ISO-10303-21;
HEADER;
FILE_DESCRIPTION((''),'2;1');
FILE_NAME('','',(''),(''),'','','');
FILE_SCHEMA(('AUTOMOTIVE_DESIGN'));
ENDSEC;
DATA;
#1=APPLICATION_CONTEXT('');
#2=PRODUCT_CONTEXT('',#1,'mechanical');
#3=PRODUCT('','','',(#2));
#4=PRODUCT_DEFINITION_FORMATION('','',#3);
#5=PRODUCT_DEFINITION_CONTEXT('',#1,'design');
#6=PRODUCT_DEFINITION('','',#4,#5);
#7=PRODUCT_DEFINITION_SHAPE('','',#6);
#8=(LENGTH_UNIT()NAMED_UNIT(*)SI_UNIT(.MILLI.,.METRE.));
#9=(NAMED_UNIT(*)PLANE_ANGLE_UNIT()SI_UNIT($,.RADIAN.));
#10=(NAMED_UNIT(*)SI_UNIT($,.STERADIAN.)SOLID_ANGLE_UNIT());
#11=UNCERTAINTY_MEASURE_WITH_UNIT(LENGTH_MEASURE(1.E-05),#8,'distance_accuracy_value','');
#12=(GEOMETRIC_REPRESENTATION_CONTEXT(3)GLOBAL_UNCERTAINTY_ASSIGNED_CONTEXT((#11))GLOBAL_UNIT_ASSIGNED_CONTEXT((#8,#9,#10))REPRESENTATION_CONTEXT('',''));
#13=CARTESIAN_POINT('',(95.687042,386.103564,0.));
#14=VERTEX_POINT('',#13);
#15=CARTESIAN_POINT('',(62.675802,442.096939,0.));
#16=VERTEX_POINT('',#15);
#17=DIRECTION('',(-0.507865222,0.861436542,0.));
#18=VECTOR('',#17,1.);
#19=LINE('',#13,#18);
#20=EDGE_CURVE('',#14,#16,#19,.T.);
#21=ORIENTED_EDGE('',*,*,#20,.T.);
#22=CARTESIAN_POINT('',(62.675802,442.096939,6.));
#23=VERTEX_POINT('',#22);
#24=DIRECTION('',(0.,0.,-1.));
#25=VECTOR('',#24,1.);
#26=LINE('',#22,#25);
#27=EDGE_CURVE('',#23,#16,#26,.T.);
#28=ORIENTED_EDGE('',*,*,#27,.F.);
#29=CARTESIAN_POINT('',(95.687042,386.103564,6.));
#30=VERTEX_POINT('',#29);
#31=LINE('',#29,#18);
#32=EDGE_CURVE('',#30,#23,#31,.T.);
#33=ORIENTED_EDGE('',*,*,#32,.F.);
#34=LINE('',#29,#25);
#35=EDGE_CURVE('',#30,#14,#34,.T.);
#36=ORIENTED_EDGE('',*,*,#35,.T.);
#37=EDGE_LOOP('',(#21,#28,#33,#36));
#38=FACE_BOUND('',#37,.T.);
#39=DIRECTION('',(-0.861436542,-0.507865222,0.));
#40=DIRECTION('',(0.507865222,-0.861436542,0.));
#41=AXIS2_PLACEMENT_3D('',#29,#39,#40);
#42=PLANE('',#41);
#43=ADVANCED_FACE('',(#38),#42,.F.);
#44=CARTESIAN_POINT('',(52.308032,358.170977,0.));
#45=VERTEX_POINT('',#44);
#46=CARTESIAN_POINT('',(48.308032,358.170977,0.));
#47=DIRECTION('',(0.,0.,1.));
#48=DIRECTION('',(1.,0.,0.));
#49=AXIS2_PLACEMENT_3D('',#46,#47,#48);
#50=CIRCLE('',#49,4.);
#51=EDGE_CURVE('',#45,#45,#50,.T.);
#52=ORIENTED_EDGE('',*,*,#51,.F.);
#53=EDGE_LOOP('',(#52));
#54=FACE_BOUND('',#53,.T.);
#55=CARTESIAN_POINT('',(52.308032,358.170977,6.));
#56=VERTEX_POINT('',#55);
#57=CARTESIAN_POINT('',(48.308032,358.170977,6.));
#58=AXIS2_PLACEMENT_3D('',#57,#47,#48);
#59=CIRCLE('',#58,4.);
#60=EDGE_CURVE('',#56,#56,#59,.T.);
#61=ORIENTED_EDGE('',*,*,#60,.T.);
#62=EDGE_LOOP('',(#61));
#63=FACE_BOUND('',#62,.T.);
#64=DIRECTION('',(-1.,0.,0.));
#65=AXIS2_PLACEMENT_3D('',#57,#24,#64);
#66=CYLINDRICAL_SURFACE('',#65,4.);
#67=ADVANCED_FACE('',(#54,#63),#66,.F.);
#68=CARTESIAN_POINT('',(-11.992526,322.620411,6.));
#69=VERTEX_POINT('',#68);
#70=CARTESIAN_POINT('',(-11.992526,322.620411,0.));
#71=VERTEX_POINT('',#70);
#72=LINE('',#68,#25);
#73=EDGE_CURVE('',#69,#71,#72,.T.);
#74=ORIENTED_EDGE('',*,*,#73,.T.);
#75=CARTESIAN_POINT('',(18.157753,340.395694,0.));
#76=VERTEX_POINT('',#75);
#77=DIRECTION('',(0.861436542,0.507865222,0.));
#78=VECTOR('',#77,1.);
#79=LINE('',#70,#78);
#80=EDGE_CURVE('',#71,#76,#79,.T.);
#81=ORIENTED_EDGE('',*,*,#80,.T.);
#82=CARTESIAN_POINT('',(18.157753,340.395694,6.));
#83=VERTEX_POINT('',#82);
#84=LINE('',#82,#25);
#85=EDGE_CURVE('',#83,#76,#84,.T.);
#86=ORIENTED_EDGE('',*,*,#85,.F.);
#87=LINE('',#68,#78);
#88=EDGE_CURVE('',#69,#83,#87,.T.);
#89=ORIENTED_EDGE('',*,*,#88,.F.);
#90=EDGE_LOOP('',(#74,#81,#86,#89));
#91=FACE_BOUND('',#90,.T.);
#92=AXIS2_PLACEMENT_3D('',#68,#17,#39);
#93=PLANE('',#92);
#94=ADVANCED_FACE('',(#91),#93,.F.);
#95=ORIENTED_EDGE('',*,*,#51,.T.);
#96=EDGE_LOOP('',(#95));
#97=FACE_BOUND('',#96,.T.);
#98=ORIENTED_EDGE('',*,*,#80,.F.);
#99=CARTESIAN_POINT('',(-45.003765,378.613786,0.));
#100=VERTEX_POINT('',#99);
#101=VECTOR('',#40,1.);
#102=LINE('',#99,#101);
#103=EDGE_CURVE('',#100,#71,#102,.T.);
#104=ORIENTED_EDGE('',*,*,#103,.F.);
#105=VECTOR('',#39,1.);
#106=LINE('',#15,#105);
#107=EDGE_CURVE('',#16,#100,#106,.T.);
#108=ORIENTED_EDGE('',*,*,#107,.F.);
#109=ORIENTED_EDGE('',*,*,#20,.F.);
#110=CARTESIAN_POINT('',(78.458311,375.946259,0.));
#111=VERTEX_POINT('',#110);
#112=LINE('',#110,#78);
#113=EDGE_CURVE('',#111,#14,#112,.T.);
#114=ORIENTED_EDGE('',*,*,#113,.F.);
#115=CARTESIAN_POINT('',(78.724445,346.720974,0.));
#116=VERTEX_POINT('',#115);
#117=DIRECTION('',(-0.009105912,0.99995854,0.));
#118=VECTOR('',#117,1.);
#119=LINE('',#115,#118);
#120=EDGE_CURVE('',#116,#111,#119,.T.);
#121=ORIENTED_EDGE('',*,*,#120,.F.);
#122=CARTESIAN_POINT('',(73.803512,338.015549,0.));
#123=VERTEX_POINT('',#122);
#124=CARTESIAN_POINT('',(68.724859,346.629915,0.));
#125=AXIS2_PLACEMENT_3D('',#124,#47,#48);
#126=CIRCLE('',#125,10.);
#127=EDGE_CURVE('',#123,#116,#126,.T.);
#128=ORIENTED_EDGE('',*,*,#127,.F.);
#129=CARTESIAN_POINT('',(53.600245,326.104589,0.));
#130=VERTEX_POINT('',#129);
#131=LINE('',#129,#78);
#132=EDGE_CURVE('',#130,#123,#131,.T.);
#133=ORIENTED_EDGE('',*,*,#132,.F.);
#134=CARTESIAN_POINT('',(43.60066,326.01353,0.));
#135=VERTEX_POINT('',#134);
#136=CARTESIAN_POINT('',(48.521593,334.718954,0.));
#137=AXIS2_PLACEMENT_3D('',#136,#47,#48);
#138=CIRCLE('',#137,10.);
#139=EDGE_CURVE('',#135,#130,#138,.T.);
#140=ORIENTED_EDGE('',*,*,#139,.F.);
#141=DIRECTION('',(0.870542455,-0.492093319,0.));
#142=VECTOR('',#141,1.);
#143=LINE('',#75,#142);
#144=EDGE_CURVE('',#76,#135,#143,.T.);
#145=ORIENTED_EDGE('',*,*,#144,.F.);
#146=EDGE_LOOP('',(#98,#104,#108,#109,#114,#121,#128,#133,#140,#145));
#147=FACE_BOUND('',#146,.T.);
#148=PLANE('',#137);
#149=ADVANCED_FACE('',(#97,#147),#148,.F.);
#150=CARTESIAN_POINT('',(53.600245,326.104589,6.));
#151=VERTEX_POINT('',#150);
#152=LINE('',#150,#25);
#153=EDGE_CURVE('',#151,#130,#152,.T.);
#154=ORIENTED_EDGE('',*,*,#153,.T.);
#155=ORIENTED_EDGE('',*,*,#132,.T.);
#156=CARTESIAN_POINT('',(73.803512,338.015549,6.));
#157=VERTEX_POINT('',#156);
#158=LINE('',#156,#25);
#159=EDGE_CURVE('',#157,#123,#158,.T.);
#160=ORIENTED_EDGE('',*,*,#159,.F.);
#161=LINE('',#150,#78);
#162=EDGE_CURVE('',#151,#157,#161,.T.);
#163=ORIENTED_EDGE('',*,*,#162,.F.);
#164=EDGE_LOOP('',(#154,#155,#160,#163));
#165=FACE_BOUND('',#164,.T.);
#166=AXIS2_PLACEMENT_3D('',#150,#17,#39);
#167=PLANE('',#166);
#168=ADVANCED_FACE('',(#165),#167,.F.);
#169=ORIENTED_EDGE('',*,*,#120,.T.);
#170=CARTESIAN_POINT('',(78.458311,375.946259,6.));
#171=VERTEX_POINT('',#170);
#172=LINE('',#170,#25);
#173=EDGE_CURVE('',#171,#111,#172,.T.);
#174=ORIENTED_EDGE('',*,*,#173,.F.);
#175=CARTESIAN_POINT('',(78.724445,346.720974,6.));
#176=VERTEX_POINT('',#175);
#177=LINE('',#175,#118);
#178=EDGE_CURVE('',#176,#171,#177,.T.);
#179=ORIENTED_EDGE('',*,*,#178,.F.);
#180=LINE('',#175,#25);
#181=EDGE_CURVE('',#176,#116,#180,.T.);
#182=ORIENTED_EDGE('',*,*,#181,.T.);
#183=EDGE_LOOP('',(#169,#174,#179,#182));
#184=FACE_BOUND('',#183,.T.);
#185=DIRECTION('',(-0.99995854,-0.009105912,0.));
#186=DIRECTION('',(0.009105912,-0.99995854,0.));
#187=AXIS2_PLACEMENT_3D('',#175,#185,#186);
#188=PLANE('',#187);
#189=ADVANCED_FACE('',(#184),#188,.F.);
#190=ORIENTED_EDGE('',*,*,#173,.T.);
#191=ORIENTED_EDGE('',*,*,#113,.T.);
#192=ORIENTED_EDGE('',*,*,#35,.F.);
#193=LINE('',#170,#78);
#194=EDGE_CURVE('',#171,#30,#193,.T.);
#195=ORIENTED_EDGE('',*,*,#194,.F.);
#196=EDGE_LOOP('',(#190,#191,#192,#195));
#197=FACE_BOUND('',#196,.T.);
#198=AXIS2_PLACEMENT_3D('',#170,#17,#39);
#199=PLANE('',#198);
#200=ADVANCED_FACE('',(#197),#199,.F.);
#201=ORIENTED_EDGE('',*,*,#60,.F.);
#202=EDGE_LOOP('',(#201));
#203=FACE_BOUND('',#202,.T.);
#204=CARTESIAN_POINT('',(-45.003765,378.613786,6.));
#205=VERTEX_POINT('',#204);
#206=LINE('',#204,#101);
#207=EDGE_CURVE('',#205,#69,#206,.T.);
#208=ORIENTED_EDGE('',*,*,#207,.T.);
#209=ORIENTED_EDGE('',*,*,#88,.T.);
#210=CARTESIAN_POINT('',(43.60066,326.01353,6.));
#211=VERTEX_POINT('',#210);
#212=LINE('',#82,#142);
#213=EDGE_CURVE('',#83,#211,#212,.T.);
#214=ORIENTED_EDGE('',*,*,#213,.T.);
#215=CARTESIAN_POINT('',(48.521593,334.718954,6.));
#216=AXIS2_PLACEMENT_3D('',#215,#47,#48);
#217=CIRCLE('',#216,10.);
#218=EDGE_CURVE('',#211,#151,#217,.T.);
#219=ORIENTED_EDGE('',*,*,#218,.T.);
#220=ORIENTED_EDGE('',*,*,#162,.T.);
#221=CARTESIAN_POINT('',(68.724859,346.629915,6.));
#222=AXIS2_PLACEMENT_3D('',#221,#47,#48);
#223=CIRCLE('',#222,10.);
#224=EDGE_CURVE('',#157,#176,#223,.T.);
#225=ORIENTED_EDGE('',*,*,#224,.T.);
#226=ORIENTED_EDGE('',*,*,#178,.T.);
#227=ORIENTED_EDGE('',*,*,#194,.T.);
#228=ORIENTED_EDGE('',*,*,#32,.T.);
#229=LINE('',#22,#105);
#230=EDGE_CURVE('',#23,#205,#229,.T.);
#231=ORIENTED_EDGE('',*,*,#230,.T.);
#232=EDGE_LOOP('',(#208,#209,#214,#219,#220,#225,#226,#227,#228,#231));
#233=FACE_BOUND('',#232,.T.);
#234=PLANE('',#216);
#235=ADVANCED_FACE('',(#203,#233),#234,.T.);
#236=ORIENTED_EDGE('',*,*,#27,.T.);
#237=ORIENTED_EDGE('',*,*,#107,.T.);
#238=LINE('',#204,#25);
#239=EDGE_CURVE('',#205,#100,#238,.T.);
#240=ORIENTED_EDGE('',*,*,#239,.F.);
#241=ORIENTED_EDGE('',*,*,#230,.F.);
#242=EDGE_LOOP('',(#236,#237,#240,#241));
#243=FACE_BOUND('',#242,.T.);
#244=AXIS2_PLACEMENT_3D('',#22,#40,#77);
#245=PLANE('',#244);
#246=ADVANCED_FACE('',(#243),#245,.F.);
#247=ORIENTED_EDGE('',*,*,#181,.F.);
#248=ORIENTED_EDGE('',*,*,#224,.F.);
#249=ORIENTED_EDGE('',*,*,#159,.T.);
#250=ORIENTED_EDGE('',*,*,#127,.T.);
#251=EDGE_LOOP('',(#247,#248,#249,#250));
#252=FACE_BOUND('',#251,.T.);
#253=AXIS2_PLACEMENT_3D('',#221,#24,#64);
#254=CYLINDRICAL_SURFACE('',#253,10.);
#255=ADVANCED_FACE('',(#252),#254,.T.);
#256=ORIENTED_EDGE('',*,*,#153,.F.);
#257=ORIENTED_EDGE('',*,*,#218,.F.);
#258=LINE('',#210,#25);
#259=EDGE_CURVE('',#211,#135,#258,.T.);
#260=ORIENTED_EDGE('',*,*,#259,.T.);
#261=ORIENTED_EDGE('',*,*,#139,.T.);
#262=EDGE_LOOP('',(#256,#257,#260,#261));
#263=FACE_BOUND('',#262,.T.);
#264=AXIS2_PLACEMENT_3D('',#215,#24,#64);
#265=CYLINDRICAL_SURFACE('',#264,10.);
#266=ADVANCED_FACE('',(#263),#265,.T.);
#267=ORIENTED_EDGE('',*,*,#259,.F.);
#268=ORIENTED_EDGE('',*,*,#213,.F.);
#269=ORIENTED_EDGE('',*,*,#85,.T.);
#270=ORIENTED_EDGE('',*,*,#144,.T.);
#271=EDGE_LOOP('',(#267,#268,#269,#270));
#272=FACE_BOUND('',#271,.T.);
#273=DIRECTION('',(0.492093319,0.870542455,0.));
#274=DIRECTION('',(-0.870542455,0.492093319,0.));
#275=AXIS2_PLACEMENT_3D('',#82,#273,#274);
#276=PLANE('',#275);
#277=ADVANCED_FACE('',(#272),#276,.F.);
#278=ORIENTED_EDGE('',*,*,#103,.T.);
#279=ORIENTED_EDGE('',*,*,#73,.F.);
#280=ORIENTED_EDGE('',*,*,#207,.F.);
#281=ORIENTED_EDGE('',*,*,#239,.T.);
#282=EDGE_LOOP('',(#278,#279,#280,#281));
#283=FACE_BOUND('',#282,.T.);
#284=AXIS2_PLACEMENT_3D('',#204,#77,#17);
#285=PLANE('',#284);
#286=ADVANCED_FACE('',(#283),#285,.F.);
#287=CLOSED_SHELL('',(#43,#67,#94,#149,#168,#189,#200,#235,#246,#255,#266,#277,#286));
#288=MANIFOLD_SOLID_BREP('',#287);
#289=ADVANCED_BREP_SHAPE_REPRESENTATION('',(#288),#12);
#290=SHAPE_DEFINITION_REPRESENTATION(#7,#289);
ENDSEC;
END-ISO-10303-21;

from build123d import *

# Parameters (mm, degrees)
SKETCH1_R           = 4
BOSS_EXTRUDE1_DEPTH = 6


with BuildPart() as part:
    # Sketch1 → Boss-Extrude1 (new body)
    with BuildSketch(Plane.XY):
        with BuildLine():
            Line((95.687041803, 386.103563742), (62.675802399, 442.096939002))
            Line((62.675802399, 442.096939002), (-45.003765409, 378.613786303))
            Line((-45.003765409, 378.613786303), (-11.992526005, 322.620411043))
            Line((-11.992526005, 322.620411043), (18.157752981, 340.395693799))
            Line((18.157752981, 340.395693799), (43.600659694, 326.013529743))
            ThreePointArc((43.600659694, 326.013529743), (48.612652005, 324.719368889), (53.600245097, 326.104588867))
            Line((53.600245097, 326.104588867), (73.80351169, 338.015549175))
            ThreePointArc((73.80351169, 338.015549175), (77.430284022, 341.708981412), (78.724444877, 346.720973723))
            Line((78.724444877, 346.720973723), (78.458310954, 375.94625931))
            Line((78.458310954, 375.94625931), (95.687041803, 386.103563742))
        make_face()
        with Locations((48.308031967, 358.170976554)):
            Circle(SKETCH1_R, mode=Mode.SUBTRACT)
    extrude(amount=BOSS_EXTRUDE1_DEPTH)


solid = part.part
